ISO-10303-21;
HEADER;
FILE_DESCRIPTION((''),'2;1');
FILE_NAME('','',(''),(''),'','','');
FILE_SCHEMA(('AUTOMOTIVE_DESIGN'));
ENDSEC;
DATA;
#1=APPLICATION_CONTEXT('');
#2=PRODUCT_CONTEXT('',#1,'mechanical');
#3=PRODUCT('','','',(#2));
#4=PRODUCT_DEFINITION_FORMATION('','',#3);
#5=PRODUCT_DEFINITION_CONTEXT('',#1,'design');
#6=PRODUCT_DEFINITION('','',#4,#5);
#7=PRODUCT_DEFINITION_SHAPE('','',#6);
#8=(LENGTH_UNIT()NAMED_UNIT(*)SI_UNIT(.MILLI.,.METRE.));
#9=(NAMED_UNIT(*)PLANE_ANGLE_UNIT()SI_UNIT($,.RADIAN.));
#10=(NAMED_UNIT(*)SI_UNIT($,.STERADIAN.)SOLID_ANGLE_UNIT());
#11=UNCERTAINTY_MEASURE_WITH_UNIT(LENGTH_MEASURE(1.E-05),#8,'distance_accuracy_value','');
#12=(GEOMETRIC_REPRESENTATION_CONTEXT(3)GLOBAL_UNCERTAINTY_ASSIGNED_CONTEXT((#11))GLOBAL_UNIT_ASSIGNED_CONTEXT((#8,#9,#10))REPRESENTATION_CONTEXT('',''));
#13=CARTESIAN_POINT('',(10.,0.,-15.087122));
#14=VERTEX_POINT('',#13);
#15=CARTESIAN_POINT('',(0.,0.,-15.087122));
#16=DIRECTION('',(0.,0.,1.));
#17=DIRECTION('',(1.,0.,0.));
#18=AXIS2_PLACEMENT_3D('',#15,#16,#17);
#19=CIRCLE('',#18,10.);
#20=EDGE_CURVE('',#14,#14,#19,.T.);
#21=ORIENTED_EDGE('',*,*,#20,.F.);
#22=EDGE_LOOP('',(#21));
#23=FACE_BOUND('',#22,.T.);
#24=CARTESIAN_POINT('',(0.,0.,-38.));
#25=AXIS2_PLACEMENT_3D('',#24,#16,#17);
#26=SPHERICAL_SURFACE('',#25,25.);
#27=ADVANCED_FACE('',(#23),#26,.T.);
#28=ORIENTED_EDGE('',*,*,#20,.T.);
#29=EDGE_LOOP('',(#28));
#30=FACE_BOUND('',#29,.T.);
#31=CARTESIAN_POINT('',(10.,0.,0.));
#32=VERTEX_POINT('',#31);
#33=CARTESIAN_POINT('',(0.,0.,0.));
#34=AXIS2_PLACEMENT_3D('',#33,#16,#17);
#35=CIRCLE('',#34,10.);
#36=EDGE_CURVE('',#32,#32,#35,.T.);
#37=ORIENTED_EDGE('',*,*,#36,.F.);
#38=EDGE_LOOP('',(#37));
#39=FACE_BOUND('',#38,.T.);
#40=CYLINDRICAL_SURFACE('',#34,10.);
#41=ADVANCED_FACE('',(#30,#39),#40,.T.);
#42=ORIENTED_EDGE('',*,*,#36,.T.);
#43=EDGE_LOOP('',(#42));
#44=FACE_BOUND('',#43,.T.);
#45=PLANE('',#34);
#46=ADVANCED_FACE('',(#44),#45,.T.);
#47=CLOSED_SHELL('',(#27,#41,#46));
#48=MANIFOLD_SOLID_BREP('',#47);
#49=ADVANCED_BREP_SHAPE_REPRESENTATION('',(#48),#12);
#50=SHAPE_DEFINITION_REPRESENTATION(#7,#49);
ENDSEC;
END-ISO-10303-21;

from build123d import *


with BuildPart() as part:
    # Sketch1 → Revolve1 (revolve)
    with BuildSketch(Plane(origin=(0, 0, 0), x_dir=(1, 0, 0), z_dir=(0, 1, 0))):
        with BuildLine():
            Line((0, 13), (0, 63))
            ThreePointArc((0, 63), (25, 38), (0, 13))
        make_face()
        with BuildLine():
            Line((10, 0), (10, 13))
            Line((10, 13), (10, 15.087121525))
            ThreePointArc((10, 15.087121525), (5.107741092, 13.527342177), (0, 13))
            Line((0, 13), (0, 0))
            Line((0, 0), (10, 0))
        make_face()
    revolve(axis=Axis((0, 0, 0), (0, 0, -1)))


solid = part.part
